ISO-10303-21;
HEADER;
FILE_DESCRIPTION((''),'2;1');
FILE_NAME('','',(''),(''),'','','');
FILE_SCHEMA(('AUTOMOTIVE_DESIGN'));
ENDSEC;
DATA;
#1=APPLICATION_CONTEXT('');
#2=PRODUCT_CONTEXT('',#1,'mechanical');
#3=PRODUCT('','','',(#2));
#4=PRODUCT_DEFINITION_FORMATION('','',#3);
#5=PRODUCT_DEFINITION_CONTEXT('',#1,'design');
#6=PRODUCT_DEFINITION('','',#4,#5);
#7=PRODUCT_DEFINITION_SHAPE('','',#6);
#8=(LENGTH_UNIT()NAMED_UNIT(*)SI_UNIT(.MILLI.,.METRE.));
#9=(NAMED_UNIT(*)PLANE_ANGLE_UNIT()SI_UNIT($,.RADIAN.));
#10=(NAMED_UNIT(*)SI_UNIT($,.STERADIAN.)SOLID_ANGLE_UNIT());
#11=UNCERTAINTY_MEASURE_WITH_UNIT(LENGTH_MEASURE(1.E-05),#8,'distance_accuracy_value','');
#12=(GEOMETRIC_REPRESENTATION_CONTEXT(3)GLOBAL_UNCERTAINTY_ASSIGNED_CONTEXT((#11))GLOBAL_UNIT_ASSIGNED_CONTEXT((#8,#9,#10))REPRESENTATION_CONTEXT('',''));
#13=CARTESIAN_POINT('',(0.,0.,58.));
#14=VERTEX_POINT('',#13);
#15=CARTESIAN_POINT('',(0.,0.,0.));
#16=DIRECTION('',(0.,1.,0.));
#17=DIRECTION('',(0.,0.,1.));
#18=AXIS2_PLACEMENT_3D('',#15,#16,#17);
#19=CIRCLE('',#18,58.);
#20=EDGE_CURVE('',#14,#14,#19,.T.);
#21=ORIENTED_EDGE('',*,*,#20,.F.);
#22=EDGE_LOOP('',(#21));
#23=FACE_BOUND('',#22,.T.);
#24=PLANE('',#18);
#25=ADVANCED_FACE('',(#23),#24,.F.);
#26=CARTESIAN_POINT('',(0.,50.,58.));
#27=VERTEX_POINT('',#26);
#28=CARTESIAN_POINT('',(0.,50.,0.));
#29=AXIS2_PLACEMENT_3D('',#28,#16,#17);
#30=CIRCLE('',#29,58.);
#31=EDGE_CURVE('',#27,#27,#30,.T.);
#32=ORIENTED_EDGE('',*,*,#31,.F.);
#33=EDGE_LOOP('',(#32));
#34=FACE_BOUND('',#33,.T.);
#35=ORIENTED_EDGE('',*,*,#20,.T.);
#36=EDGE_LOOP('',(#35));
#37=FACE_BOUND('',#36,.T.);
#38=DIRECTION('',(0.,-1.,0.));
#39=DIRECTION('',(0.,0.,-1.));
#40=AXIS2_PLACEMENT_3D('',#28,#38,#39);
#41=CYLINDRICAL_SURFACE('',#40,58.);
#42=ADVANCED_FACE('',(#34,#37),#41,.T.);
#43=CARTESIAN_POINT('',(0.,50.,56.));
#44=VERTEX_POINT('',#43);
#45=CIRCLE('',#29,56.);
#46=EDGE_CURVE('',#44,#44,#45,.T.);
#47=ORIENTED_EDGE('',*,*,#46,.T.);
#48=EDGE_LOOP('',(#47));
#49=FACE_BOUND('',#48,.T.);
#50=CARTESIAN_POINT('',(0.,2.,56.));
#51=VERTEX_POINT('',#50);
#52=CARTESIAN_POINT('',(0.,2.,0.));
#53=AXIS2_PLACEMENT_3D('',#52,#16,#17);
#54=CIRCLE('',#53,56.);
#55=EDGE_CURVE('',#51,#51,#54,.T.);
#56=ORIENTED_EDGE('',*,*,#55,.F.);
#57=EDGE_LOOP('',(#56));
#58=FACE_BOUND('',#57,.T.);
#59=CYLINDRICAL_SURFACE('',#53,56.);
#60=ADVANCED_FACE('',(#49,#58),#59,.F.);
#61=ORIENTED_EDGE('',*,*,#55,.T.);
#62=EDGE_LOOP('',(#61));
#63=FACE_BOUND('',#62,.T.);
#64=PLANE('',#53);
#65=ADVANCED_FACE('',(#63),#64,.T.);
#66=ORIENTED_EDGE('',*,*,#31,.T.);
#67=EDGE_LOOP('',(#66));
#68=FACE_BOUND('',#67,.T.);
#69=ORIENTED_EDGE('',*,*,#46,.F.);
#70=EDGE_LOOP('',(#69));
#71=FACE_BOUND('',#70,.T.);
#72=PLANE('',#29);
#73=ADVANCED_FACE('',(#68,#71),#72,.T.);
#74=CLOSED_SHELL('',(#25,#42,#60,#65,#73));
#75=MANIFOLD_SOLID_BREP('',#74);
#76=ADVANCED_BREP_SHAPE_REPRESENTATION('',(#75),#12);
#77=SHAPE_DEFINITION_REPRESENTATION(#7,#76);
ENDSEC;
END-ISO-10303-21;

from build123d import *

# Parameters (mm, degrees)
ESQUISSE2_R             = 58
BOSS_EXTRU_1_DEPTH      = 50
ESQUISSE3_R             = 56
ENL_V_MAT_EXTRU_1_DEPTH = 48


with BuildPart() as part:
    # Esquisse2 → Boss.-Extru.1 (new body)
    with BuildSketch(Plane(origin=(0, 0, 0), x_dir=(1, 0, 0), z_dir=(0, 1, 0))):
        with Locations(Location((0, 0, 0), (0, 0, 270))):
            Circle(ESQUISSE2_R)
    extrude(amount=BOSS_EXTRU_1_DEPTH)

    # Esquisse3 → Enlèv. mat.-Extru.1 (cut)
    with BuildSketch(Plane(origin=(0, 50, 0), x_dir=(1, 0, 0), z_dir=(0, 1, 0))):
        with Locations(Location((0, 0, 0), (0, 0, 270))):
            Circle(ESQUISSE3_R)
    extrude(amount=-ENL_V_MAT_EXTRU_1_DEPTH, mode=Mode.SUBTRACT)


solid = part.part
